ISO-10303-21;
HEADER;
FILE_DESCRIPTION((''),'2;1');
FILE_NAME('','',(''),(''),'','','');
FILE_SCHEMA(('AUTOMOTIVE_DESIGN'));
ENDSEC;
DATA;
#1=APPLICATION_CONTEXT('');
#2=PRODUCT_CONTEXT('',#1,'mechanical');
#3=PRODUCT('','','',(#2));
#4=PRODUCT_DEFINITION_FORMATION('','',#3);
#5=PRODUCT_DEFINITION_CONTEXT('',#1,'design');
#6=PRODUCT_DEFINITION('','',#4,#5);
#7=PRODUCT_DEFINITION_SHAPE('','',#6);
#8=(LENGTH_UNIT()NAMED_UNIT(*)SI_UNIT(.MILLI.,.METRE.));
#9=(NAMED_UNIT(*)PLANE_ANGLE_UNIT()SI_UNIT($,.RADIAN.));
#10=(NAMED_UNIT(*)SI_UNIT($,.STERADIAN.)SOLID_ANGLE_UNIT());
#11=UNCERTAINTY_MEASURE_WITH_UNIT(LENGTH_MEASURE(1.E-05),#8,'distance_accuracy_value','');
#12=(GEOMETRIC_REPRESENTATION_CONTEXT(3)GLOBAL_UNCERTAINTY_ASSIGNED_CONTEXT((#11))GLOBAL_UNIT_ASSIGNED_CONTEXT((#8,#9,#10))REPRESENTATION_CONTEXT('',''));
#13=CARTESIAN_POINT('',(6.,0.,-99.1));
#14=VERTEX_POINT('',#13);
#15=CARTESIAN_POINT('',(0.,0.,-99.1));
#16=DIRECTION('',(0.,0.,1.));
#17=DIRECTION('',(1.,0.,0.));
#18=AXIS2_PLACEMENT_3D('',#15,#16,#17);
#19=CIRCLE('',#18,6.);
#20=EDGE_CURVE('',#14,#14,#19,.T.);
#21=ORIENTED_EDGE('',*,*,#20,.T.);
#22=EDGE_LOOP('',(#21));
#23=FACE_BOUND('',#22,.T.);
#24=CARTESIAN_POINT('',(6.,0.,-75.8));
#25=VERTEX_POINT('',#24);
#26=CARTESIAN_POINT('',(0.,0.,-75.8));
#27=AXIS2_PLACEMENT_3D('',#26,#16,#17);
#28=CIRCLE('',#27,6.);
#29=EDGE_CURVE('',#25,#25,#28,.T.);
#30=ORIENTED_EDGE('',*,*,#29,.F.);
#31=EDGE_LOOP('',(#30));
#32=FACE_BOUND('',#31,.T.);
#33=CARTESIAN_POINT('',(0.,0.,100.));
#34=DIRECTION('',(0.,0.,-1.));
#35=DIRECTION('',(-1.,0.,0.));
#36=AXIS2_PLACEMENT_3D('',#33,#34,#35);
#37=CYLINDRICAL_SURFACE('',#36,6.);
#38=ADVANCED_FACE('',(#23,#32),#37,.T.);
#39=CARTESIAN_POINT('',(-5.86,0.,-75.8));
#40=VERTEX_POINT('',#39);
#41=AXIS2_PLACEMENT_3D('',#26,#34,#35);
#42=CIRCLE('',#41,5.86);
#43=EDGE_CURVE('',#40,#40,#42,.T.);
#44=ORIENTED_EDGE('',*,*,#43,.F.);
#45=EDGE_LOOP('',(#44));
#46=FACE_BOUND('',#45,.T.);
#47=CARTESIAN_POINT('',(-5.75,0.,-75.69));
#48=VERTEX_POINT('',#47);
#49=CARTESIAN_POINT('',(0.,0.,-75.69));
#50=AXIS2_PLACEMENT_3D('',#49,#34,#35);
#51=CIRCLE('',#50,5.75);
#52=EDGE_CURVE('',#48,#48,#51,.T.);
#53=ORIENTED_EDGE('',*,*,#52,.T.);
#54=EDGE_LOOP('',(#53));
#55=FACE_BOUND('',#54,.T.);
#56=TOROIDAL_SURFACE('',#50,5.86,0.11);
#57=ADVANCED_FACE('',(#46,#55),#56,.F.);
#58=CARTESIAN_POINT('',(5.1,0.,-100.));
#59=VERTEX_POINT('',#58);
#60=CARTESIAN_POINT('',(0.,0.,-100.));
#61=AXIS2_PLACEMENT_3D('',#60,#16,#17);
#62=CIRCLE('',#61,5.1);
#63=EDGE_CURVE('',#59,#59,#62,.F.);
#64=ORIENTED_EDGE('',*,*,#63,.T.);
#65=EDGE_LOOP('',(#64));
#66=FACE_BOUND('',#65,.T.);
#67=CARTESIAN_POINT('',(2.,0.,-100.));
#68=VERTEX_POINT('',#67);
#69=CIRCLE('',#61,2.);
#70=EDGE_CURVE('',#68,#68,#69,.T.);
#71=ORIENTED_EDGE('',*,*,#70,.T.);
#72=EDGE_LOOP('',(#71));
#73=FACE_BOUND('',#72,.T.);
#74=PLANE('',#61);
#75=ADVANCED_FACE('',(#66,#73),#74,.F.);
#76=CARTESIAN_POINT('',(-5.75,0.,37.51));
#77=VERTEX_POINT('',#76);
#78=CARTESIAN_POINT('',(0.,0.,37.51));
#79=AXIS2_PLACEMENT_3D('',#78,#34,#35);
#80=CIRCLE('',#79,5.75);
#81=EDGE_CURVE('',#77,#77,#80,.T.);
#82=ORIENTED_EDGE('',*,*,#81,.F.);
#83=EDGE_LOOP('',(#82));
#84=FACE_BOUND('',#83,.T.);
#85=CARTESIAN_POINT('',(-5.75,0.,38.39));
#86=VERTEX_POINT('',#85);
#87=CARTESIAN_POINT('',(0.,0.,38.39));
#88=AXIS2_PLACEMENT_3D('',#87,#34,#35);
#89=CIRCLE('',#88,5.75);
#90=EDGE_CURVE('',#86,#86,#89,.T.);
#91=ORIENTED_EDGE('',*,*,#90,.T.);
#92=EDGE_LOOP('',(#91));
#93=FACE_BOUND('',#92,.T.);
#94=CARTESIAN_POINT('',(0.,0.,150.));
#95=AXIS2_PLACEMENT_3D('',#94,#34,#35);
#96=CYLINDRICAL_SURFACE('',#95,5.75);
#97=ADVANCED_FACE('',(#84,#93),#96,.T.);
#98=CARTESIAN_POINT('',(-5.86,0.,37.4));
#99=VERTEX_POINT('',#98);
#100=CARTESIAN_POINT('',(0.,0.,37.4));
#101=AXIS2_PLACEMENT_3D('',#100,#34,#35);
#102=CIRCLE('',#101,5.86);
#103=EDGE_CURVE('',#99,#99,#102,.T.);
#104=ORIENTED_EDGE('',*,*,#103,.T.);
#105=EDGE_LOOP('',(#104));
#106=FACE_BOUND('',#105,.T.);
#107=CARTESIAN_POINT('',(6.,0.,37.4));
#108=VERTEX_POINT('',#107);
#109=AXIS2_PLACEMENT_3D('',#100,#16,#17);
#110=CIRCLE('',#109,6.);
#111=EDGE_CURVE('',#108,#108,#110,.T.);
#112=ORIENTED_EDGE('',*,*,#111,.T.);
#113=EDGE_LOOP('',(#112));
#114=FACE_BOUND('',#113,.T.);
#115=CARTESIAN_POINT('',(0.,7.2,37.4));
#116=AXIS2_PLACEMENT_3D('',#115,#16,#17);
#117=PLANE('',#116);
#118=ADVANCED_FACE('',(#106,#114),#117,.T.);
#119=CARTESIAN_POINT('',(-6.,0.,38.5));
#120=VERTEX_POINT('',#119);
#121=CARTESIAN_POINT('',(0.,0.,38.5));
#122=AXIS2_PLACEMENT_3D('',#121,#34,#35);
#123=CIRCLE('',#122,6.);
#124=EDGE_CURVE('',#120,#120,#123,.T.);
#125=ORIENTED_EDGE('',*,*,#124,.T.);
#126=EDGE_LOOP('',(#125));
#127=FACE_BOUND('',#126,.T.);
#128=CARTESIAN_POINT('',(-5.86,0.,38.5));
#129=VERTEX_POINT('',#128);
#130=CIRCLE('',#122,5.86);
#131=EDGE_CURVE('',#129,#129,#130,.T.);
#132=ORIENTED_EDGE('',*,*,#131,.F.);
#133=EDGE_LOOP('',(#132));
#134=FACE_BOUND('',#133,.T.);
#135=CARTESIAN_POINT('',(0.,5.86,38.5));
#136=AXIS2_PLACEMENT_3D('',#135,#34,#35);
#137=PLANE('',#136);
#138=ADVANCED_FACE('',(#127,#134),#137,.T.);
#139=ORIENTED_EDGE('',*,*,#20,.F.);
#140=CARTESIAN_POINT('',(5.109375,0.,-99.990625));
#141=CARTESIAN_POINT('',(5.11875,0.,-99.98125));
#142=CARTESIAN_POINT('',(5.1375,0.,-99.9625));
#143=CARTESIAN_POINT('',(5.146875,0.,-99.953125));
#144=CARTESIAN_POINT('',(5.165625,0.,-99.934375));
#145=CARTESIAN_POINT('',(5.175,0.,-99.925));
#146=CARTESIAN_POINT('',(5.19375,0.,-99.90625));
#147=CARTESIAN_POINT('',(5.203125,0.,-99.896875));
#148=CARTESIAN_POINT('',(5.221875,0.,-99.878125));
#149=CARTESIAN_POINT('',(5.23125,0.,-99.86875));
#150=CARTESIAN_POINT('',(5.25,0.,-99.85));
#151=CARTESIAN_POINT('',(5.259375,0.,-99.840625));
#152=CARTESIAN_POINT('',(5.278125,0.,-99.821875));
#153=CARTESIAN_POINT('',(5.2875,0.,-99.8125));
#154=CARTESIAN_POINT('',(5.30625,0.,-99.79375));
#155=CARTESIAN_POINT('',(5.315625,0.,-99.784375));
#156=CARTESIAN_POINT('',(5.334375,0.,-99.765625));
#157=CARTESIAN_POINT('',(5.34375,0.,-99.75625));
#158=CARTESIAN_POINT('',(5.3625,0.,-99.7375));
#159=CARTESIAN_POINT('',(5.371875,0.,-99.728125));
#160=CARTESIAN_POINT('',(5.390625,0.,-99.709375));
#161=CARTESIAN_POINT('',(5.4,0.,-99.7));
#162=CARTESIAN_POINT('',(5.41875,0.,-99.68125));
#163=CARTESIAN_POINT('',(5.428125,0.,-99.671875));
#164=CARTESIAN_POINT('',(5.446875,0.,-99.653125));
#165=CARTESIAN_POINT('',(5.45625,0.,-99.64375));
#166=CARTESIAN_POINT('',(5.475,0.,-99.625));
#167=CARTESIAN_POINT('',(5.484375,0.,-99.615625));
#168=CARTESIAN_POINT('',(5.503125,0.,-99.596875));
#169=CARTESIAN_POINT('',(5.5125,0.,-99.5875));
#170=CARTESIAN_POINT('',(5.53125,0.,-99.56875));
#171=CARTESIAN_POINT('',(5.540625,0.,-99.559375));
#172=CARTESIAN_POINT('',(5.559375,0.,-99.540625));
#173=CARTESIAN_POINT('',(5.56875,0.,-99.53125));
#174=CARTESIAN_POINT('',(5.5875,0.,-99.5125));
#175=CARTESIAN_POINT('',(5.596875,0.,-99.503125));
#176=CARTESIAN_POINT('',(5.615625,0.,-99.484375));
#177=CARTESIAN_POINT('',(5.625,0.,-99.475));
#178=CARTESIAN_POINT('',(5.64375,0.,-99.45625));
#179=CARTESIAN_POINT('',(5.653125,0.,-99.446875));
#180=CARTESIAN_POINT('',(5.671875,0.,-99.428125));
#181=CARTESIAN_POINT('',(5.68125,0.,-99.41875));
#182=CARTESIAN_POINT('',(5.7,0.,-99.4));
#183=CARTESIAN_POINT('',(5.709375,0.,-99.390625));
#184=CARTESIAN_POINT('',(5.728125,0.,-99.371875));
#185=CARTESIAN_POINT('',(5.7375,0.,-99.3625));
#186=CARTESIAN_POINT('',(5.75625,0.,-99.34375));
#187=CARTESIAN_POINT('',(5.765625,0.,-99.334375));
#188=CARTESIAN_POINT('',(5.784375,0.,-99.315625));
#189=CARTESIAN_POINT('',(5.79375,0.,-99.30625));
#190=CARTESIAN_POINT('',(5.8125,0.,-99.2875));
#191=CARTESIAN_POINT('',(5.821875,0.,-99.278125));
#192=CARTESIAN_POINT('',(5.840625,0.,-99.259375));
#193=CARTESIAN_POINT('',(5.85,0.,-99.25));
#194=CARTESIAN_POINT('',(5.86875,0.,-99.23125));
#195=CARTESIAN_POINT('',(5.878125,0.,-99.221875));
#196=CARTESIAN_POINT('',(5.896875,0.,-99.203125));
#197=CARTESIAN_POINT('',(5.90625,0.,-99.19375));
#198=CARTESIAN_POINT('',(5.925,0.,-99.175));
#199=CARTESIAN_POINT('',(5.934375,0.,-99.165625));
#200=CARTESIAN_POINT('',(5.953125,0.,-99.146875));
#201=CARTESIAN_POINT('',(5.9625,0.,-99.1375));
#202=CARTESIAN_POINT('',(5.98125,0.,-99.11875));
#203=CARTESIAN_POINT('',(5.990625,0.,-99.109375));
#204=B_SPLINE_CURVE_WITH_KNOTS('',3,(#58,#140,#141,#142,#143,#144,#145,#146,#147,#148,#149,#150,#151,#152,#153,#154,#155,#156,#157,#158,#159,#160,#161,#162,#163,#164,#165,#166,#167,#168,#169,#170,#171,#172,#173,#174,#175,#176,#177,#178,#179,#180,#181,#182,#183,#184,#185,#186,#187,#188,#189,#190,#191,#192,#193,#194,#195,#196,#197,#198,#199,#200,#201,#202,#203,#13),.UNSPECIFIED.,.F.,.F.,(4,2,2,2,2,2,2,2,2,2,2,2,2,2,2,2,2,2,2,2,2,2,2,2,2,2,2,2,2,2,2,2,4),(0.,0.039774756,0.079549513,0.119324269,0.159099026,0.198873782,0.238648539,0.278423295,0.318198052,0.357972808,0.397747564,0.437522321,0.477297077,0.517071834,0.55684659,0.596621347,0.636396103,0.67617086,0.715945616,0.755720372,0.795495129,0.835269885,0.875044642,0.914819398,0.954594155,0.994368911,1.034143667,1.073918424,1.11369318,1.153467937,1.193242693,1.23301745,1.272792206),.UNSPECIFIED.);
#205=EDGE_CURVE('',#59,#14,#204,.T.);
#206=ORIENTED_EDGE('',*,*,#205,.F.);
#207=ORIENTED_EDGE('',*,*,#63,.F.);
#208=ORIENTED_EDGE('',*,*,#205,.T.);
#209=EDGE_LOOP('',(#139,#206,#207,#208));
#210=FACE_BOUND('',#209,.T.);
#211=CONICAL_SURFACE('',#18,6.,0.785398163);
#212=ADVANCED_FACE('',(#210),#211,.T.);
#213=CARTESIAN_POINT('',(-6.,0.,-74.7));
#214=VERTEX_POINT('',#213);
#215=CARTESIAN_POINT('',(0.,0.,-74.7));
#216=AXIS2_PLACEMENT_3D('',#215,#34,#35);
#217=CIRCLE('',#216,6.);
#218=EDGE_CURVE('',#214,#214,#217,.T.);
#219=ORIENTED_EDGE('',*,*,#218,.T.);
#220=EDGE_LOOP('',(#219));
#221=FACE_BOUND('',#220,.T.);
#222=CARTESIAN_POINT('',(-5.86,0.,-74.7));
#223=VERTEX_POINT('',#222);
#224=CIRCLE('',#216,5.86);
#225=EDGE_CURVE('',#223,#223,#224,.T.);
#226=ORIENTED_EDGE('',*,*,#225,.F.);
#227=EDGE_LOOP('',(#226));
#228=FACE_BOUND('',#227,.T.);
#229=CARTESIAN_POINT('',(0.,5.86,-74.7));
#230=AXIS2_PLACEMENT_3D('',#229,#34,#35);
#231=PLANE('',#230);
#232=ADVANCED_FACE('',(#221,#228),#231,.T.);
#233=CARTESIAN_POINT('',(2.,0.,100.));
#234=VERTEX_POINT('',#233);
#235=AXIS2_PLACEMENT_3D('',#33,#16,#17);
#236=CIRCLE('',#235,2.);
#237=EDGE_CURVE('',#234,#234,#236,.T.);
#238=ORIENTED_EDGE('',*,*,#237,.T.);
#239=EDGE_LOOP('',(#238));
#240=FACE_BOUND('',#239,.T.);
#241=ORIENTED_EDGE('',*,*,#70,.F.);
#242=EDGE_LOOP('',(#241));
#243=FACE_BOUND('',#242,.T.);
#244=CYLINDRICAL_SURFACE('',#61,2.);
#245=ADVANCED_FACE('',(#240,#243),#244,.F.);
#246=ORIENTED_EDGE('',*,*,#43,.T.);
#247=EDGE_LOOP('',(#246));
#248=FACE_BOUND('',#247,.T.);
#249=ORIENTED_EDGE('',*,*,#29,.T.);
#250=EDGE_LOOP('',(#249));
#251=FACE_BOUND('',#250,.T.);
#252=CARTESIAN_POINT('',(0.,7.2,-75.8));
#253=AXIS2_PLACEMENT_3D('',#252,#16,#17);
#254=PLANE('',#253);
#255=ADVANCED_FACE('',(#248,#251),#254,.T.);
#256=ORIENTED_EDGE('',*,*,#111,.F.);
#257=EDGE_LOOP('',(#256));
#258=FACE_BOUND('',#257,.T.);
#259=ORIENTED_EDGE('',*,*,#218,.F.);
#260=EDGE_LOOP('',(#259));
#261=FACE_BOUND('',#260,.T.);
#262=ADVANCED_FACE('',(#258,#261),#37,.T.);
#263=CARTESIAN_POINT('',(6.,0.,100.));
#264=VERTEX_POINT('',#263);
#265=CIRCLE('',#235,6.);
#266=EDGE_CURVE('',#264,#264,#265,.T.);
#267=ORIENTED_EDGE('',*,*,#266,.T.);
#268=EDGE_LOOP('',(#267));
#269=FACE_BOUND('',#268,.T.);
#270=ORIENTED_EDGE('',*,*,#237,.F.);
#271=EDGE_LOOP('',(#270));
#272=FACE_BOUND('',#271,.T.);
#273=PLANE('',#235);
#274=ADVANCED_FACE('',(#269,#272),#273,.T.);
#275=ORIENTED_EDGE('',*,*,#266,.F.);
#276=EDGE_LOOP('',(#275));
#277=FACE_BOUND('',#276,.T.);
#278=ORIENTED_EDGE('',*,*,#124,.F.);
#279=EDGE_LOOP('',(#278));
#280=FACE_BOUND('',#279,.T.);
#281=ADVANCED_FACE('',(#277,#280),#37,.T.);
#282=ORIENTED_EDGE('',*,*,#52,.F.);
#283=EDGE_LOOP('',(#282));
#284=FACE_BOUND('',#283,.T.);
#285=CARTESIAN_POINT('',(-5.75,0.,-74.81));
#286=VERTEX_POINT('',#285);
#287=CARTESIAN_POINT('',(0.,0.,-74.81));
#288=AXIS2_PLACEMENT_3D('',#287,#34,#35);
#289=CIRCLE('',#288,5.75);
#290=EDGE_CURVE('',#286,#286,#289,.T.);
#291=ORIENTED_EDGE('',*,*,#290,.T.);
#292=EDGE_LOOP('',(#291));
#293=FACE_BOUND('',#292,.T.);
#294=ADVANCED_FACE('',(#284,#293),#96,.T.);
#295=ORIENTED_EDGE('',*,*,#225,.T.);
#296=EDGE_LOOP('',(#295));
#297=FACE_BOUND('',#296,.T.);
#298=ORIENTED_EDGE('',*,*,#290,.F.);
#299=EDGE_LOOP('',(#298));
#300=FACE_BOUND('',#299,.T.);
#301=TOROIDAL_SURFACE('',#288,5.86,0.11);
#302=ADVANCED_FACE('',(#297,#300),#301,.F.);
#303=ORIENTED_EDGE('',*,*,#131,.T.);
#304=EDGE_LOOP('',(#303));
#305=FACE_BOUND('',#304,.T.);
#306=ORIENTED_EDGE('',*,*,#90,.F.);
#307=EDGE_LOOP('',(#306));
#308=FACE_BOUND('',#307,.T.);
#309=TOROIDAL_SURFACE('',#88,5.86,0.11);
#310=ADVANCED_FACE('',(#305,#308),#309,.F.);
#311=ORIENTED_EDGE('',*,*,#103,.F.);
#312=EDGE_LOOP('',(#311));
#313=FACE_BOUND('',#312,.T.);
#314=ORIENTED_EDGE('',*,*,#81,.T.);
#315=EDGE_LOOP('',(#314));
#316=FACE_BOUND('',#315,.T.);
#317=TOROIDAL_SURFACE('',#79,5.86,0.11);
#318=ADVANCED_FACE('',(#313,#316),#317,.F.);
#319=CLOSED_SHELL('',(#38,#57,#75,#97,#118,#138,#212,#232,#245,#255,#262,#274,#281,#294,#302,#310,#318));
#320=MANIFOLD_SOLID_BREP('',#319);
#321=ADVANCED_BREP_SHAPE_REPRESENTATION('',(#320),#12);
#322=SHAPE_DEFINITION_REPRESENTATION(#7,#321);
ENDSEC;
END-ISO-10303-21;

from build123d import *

# Parameters (mm, degrees)
SKETCH1_R           = 6
EXTRUDE1_DEPTH      = 100
CHAMFER1_SIZE       = 0.9
EXTRUDE3_DEPTH      = 101.359354322
EXTRUDE3_DEPTH_BACK = 101.359354322
SKETCH2_R           = 2


with BuildPart() as part:
    # Sketch1 → Extrude1 (new, symmetric)
    with BuildSketch(Plane.XY):
        Circle(SKETCH1_R)
    extrude(amount=EXTRUDE1_DEPTH, both=True)

    # Chamfer1
    chamfer1_edges = [part.edges().sort_by_distance(p)[0] for p in [
        (-6, 0, -100),
    ]]
    chamfer(chamfer1_edges, length=CHAMFER1_SIZE)

    # Sketch2 → Extrude3 (cut, two sides: drawn at the far end of the back side and taken through both)
    with BuildSketch(Plane.XY.offset(-EXTRUDE3_DEPTH_BACK)):
        Circle(SKETCH2_R)
    extrude(amount=EXTRUDE3_DEPTH + EXTRUDE3_DEPTH_BACK, mode=Mode.SUBTRACT)

    # Sketch5 → Groove for DIN 471 - 12 x 1_ Circlip for (revolve, cut)
    with BuildSketch(Plane(origin=(0, 0, 100), x_dir=(0, 1, 0), z_dir=(-1, 0, 0)), mode=Mode.PRIVATE) as groove_for_din_471_12_x_1_circlip_for_sk:
        with BuildLine():
            Line((5.86, 61.5), (7.2, 61.5))
            Line((7.2, 61.5), (7.2, 62.6))
            Line((7.2, 62.6), (5.86, 62.6))
            ThreePointArc((5.86, 62.6), (5.782218254, 62.567781746), (5.75, 62.49))
            Line((5.75, 62.49), (5.75, 61.61))
            ThreePointArc((5.75, 61.61), (5.782218254, 61.532218254), (5.86, 61.5))
        make_face()
    revolve(groove_for_din_471_12_x_1_circlip_for_sk.sketch.rotate(Axis((0, 0, 150), (0, 0, -1)), 270), axis=Axis((0, 0, 150), (0, 0, -1)), mode=Mode.SUBTRACT)

    # Sketch13 → Groove for DIN 471 - 12 x 1_ Circlip 2 (revolve, cut)
    with BuildSketch(Plane(origin=(0, 0, 100), x_dir=(0, 1, 0), z_dir=(-1, 0, 0)), mode=Mode.PRIVATE) as groove_for_din_471_12_x_1_circlip_2_sk:
        with BuildLine():
            Line((5.86, 174.7), (7.2, 174.7))
            Line((7.2, 174.7), (7.2, 175.8))
            Line((7.2, 175.8), (5.86, 175.8))
            ThreePointArc((5.86, 175.8), (5.782218254, 175.767781746), (5.75, 175.69))
            Line((5.75, 175.69), (5.75, 174.81))
            ThreePointArc((5.75, 174.81), (5.782218254, 174.732218254), (5.86, 174.7))
        make_face()
    revolve(groove_for_din_471_12_x_1_circlip_2_sk.sketch.rotate(Axis((0, 0, 150), (0, 0, -1)), 270), axis=Axis((0, 0, 150), (0, 0, -1)), mode=Mode.SUBTRACT)


solid = part.part
